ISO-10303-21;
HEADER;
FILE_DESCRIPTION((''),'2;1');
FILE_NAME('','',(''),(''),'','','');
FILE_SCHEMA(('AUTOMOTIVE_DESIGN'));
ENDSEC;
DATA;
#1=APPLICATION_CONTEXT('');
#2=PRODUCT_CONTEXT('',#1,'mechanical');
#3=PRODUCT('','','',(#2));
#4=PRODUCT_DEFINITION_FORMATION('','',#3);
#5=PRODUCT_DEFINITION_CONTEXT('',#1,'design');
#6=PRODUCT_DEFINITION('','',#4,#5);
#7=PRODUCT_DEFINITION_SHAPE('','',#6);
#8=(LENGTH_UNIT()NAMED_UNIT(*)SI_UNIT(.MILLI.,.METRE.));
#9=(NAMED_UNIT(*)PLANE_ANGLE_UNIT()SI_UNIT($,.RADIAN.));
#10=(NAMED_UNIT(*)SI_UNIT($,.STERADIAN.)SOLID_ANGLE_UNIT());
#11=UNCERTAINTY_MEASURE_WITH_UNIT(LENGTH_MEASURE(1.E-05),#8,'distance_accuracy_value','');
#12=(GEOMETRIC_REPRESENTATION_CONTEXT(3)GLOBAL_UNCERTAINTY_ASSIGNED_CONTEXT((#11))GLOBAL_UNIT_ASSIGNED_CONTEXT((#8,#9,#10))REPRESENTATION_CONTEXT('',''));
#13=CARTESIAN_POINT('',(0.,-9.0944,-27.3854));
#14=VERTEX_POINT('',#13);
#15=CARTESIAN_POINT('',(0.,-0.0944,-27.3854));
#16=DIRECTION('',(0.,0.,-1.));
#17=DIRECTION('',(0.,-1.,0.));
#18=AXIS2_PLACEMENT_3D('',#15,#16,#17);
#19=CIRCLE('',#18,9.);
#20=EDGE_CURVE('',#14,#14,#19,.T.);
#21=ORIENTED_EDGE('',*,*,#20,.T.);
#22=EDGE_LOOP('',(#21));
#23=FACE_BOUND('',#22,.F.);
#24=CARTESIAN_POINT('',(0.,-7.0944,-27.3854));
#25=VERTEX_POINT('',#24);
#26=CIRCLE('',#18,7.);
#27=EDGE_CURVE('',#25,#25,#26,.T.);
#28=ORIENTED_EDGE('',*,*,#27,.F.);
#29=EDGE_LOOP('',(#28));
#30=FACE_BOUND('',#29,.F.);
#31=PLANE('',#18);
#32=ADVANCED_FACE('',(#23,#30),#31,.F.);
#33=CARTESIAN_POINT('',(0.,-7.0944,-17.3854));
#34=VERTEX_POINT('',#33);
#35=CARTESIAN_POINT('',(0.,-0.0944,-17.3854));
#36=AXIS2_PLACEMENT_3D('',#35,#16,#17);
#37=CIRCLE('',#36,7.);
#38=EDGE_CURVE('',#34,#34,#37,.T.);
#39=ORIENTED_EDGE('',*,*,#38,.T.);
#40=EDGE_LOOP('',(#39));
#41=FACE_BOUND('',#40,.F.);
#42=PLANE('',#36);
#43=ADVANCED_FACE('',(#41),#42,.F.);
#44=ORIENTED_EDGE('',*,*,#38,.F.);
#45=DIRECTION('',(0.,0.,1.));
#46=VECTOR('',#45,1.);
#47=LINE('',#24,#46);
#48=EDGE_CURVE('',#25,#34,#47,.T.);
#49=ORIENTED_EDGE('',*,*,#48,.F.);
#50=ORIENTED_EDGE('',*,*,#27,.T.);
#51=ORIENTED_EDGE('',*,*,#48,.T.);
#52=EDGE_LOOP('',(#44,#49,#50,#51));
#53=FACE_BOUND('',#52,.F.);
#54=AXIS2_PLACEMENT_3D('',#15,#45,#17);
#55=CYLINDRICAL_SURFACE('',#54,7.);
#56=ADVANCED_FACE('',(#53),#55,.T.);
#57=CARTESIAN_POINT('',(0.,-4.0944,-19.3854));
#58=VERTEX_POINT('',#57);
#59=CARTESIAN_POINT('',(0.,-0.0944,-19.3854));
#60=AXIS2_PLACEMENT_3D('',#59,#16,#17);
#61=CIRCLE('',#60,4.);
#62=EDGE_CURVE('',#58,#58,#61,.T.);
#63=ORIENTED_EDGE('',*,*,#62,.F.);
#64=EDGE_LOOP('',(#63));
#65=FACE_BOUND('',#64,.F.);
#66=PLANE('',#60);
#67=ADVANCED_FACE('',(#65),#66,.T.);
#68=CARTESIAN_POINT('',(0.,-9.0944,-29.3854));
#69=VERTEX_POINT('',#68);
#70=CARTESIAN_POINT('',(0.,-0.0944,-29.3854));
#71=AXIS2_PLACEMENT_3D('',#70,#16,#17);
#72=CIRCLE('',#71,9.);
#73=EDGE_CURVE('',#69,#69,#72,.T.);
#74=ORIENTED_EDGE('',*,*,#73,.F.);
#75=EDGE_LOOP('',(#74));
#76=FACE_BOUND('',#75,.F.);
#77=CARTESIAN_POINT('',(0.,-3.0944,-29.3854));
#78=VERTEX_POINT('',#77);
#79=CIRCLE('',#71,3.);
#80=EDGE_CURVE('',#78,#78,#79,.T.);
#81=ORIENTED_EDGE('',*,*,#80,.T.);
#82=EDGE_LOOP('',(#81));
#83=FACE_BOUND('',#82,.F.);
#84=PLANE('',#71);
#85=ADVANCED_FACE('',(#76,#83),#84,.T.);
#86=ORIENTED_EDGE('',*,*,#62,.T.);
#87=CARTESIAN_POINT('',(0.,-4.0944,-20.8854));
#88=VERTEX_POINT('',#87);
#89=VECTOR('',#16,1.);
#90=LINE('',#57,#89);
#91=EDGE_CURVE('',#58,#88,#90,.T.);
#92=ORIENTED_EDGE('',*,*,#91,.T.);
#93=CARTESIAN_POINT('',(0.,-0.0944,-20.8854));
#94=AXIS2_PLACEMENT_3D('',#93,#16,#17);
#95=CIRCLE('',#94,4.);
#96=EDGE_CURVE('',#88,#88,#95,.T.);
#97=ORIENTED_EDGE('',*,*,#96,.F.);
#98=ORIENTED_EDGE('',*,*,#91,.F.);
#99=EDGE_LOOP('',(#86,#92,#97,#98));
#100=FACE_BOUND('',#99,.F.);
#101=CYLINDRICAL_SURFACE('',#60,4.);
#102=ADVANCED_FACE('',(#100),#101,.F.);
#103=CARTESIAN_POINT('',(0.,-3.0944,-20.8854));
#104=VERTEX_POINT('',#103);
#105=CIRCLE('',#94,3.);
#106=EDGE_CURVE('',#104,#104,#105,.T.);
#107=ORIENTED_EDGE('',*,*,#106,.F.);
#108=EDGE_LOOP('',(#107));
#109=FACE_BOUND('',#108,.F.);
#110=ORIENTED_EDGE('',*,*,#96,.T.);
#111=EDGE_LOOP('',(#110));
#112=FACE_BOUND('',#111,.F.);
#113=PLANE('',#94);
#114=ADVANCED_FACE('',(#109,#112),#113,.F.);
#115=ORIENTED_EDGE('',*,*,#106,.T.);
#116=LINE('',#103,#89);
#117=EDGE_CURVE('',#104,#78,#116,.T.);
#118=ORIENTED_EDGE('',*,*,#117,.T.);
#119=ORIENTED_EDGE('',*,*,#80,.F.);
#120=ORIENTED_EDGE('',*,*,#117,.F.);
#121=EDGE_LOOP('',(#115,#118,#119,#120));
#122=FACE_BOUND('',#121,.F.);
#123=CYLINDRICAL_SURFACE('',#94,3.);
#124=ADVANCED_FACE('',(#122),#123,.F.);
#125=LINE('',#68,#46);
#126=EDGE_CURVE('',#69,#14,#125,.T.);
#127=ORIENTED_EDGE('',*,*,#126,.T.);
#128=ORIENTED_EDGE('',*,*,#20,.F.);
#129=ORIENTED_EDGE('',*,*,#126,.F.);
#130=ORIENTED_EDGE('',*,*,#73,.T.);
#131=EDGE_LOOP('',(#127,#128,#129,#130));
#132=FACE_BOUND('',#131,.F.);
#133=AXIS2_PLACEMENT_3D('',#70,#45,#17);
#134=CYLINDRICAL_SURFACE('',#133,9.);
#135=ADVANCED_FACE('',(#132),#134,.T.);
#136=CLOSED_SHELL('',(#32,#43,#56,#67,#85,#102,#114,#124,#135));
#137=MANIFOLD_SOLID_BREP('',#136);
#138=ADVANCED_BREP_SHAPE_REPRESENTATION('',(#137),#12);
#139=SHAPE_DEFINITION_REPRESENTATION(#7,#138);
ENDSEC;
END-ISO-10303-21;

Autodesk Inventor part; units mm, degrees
ref_plane "YZ Plane" through (0, 0, 0) normal (1, 0, 0) x (0, 1, 0)
ref_plane "XZ Plane" through (0, 0, 0) normal (0, 1, 0) x (-1, 0, 0)
ref_plane "XY Plane" through (0, 0, 0) normal (0, 0, 1) x (1, 0, 0)
sketch "Эскиз1" plane through (0, 0, 0) normal (1, 0, 0) x (0, 1, 0)
  line L0 (-0.0944, -29.3854) -> (-9.0944, -29.3854)
  line L1 (-9.0944, -29.3854) -> (-9.0944, -27.3854)
  line L2 (-9.0944, -27.3854) -> (-7.0944, -27.3854)
  line L3 (-7.0944, -27.3854) -> (-7.0944, -17.3854)
  line L4 (-7.0944, -17.3854) -> (-0.0944, -17.3854)
  line L5 (-0.0944, -17.3854) -> (-0.0944, -19.3854)
  line L6 (-0.0944, -19.3854) -> (-4.0944, -19.3854)
  line L7 (-4.0944, -19.3854) -> (-4.0944, -20.8854)
  line L8 (-4.0944, -20.8854) -> (-3.0944, -20.8854)
  line L9 (-3.0944, -20.8854) -> (-3.0944, -29.3854)
  line L10 (-0.0944, -15.3854) -> (-0.0944, -31.3854)
  point P0 (0, 0)
  point P1 (-105.6045, -1.7251)
revolve "Вращение1" add sketch "Эскиз1" angle 360 about axis through (0, -0.0944, -15.3854) along (0, 0, -1) contours L0 L1 L2 L3 L4 L5 L6 L7 L8 L9
equation "\"Радиус_гибки\" = Толщина"
equation "\"Ширина_просечки\" = Толщина"
equation "\"Глубина_просечки\" = 0.5 * Толщина"
equation "\"Размер_просечки\" = 4 * Толщина"
equation "\"Мин_остаток\" = 2 * Толщина"
equation "\"Радиус_перехода\" = Радиус_гибки"
equation "\"Радиус_Якоби\" = Радиус_гибки"
equation "\"Размер_зазора\" = Толщина"
equation "\"Толщина\" = 0.5"
